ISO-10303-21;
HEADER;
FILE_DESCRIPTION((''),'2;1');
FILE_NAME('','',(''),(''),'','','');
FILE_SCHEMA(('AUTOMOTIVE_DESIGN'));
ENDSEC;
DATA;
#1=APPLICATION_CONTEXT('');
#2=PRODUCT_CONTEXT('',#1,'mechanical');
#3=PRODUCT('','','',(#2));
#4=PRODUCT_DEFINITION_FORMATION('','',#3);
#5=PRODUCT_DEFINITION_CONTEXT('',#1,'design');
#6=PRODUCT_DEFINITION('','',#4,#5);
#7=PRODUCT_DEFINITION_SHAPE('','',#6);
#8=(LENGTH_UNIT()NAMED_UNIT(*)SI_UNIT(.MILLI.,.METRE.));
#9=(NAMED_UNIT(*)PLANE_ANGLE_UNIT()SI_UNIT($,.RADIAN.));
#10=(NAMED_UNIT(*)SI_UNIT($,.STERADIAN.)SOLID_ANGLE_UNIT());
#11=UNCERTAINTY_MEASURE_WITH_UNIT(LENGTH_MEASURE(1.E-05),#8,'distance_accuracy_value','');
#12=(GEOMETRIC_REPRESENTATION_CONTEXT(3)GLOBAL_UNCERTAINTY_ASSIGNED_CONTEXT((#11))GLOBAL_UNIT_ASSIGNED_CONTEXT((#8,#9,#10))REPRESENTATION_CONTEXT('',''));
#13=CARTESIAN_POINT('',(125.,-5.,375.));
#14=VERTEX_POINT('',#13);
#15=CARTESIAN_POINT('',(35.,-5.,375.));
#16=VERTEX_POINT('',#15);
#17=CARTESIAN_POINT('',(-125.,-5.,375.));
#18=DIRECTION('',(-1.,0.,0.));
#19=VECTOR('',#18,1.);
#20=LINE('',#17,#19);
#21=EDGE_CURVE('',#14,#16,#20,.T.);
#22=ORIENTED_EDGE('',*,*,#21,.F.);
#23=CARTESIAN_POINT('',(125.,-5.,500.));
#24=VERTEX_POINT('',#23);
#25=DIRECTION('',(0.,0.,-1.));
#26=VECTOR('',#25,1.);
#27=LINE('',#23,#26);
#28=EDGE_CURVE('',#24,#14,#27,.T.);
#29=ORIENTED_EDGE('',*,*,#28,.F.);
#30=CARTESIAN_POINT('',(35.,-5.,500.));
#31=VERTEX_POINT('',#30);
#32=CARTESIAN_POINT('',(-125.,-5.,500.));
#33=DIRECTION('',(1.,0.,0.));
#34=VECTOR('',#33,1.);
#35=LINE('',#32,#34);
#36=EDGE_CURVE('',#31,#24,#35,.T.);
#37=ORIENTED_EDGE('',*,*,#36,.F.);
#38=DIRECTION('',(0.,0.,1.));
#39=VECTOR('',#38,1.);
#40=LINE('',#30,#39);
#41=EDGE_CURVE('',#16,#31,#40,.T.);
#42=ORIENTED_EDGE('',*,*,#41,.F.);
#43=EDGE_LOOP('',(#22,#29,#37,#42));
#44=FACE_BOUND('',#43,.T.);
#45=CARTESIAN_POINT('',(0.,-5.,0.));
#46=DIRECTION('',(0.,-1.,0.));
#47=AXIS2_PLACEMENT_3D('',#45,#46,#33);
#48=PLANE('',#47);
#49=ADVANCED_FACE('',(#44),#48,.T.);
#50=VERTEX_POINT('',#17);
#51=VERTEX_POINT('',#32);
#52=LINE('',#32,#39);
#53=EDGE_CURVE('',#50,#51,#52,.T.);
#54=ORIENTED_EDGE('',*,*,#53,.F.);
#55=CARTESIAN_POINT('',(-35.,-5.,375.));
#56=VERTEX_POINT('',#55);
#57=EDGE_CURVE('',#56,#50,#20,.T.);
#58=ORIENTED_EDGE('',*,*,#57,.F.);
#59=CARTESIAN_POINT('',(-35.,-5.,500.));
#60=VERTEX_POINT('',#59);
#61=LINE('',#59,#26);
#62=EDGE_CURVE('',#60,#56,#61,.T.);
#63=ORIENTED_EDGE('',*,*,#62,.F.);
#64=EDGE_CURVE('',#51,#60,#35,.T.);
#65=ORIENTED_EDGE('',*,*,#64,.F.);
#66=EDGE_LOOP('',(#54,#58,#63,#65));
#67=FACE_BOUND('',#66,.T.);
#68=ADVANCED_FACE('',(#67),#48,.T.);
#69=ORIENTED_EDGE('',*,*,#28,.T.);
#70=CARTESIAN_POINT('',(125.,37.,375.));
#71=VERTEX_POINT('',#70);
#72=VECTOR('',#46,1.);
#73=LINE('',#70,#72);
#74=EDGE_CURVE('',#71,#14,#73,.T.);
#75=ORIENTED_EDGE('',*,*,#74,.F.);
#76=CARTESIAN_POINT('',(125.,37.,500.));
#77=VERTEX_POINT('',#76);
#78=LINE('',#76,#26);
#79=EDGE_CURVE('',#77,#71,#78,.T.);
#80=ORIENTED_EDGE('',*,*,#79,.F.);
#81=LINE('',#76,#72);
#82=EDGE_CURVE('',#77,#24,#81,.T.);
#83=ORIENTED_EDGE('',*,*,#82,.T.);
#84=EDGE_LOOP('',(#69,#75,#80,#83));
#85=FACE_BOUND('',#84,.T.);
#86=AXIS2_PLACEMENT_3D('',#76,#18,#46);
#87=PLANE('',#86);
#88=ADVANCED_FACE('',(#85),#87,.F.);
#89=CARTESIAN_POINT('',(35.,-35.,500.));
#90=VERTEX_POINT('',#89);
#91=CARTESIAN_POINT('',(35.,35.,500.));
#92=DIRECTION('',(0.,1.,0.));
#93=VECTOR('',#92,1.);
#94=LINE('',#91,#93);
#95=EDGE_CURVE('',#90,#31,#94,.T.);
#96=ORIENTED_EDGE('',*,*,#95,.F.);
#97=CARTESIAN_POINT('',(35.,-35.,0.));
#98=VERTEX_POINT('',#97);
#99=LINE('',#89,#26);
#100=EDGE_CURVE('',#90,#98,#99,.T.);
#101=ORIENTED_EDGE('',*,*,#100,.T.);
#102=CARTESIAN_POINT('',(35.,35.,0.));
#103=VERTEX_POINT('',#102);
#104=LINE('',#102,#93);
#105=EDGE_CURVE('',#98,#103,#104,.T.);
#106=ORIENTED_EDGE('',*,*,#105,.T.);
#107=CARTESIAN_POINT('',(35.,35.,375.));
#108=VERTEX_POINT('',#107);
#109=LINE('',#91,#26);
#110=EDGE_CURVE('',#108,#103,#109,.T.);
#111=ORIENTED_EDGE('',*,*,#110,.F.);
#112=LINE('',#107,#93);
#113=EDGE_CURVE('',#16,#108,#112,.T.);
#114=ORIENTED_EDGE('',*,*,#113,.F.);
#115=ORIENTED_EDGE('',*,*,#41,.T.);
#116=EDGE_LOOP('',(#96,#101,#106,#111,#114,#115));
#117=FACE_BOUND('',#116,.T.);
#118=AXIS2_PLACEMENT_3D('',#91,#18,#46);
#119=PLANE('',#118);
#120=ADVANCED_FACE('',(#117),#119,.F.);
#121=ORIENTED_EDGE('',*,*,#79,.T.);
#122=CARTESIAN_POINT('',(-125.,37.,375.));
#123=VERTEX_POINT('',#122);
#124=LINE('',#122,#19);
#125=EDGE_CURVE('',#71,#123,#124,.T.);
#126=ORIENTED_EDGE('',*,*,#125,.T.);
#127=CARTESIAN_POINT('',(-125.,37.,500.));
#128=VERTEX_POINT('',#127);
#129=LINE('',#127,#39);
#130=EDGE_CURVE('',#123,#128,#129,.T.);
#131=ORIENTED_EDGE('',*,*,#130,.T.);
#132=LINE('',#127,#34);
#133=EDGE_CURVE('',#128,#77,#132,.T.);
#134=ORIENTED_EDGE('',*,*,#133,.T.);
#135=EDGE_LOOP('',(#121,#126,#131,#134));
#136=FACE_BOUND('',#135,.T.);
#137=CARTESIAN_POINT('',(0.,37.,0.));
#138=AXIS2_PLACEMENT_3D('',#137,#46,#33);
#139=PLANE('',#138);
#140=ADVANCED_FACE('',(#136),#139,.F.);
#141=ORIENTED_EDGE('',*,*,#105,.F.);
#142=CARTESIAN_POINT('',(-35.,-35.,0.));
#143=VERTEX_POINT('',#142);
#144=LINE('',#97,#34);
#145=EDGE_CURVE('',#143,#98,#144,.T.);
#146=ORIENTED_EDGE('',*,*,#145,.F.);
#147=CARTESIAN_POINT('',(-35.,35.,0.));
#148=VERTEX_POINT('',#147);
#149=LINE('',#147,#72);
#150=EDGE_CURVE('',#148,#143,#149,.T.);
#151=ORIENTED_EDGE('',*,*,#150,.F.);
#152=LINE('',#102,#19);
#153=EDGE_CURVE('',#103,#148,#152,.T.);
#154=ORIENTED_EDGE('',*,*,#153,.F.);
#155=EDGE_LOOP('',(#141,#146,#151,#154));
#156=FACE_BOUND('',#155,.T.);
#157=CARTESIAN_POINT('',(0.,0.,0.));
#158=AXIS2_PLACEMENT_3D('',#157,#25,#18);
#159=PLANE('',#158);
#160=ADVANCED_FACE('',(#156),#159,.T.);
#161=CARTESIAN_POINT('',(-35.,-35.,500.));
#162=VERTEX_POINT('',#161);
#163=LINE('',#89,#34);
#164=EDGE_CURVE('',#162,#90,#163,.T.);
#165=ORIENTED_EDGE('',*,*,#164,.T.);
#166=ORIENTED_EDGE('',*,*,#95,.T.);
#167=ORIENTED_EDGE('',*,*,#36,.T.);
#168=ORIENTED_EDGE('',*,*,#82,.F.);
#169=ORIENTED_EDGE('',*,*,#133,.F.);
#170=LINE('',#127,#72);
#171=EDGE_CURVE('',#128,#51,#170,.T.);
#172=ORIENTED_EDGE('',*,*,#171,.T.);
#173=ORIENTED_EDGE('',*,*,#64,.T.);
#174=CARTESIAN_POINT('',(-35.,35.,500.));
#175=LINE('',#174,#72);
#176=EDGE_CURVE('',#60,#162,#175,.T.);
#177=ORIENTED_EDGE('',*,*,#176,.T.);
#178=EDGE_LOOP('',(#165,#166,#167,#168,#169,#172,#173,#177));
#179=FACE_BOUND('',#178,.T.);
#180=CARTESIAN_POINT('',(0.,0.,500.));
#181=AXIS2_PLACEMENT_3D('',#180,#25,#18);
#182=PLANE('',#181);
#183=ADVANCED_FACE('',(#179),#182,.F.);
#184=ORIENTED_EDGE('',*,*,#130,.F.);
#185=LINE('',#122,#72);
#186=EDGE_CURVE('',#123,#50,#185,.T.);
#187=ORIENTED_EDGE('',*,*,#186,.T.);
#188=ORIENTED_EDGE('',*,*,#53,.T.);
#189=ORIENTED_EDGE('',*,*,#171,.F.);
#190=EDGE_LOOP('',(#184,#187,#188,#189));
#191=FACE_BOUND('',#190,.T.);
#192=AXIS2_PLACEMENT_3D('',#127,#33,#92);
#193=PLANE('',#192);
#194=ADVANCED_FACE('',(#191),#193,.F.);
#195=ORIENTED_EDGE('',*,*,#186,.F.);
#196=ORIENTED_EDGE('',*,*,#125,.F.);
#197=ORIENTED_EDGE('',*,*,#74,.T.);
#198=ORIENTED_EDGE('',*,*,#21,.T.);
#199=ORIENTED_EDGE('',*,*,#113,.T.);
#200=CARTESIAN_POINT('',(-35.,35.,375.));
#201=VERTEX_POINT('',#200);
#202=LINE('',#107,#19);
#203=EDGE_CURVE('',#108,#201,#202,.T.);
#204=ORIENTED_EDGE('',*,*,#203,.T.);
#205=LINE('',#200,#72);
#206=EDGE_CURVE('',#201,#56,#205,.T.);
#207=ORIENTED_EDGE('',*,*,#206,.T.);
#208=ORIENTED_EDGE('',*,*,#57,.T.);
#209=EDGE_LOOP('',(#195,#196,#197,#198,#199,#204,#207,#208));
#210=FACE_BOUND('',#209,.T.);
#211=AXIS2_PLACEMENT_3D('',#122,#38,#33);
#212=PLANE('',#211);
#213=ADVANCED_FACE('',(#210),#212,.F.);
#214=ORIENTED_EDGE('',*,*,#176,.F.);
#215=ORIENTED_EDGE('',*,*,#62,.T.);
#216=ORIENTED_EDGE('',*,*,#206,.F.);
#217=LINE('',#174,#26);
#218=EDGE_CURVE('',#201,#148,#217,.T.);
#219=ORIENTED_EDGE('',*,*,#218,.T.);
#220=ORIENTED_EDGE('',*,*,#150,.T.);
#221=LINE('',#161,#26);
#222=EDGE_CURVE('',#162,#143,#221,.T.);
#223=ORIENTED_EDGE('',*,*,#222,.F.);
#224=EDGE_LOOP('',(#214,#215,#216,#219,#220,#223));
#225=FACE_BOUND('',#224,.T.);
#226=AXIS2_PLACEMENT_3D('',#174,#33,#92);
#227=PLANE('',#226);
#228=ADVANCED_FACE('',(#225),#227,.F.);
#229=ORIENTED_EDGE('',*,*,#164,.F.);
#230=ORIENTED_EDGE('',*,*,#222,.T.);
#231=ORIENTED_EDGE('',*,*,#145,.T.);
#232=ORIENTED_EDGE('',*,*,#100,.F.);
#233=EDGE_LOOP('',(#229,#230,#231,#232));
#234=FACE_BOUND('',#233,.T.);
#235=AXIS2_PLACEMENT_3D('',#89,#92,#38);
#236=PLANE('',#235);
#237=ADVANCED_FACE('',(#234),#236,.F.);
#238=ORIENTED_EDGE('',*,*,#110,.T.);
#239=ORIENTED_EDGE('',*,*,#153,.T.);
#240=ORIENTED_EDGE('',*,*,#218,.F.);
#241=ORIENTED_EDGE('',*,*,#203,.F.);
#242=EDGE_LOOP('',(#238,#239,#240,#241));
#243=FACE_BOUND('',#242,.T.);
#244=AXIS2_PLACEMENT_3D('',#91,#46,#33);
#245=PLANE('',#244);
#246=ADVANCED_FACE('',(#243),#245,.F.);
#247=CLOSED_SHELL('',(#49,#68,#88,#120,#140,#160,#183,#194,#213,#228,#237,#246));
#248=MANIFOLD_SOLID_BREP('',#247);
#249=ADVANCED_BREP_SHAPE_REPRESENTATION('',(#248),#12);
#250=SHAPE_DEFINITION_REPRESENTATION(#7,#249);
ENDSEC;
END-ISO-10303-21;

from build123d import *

# Parameters (mm, degrees)
SKETCH1_W                = 70
SKETCH1_H                = 70
BOSS_EXTRUDE1_DEPTH      = 500
SKETCH2_W                = 250
SKETCH2_H                = 125
BOSS_EXTRUDE2_DEPTH      = 2
BOSS_EXTRUDE2_DEPTH_BACK = 40


with BuildPart() as part:
    # Sketch1 → Boss-Extrude1 (new body)
    with BuildSketch(Plane.XY):
        Rectangle(SKETCH1_W, SKETCH1_H)
    extrude(amount=BOSS_EXTRUDE1_DEPTH)

    # Sketch2 → Boss-Extrude2 (add, two sides)
    with BuildSketch(Plane(origin=(0, 35, 0), x_dir=(1, 0, 0), z_dir=(0, 1, 0))) as boss_extrude2_sk:
        with Locations((0, -437.5)):
            Rectangle(SKETCH2_W, SKETCH2_H)
    extrude(amount=BOSS_EXTRUDE2_DEPTH)
    extrude(boss_extrude2_sk.sketch, amount=-BOSS_EXTRUDE2_DEPTH_BACK)


solid = part.part
